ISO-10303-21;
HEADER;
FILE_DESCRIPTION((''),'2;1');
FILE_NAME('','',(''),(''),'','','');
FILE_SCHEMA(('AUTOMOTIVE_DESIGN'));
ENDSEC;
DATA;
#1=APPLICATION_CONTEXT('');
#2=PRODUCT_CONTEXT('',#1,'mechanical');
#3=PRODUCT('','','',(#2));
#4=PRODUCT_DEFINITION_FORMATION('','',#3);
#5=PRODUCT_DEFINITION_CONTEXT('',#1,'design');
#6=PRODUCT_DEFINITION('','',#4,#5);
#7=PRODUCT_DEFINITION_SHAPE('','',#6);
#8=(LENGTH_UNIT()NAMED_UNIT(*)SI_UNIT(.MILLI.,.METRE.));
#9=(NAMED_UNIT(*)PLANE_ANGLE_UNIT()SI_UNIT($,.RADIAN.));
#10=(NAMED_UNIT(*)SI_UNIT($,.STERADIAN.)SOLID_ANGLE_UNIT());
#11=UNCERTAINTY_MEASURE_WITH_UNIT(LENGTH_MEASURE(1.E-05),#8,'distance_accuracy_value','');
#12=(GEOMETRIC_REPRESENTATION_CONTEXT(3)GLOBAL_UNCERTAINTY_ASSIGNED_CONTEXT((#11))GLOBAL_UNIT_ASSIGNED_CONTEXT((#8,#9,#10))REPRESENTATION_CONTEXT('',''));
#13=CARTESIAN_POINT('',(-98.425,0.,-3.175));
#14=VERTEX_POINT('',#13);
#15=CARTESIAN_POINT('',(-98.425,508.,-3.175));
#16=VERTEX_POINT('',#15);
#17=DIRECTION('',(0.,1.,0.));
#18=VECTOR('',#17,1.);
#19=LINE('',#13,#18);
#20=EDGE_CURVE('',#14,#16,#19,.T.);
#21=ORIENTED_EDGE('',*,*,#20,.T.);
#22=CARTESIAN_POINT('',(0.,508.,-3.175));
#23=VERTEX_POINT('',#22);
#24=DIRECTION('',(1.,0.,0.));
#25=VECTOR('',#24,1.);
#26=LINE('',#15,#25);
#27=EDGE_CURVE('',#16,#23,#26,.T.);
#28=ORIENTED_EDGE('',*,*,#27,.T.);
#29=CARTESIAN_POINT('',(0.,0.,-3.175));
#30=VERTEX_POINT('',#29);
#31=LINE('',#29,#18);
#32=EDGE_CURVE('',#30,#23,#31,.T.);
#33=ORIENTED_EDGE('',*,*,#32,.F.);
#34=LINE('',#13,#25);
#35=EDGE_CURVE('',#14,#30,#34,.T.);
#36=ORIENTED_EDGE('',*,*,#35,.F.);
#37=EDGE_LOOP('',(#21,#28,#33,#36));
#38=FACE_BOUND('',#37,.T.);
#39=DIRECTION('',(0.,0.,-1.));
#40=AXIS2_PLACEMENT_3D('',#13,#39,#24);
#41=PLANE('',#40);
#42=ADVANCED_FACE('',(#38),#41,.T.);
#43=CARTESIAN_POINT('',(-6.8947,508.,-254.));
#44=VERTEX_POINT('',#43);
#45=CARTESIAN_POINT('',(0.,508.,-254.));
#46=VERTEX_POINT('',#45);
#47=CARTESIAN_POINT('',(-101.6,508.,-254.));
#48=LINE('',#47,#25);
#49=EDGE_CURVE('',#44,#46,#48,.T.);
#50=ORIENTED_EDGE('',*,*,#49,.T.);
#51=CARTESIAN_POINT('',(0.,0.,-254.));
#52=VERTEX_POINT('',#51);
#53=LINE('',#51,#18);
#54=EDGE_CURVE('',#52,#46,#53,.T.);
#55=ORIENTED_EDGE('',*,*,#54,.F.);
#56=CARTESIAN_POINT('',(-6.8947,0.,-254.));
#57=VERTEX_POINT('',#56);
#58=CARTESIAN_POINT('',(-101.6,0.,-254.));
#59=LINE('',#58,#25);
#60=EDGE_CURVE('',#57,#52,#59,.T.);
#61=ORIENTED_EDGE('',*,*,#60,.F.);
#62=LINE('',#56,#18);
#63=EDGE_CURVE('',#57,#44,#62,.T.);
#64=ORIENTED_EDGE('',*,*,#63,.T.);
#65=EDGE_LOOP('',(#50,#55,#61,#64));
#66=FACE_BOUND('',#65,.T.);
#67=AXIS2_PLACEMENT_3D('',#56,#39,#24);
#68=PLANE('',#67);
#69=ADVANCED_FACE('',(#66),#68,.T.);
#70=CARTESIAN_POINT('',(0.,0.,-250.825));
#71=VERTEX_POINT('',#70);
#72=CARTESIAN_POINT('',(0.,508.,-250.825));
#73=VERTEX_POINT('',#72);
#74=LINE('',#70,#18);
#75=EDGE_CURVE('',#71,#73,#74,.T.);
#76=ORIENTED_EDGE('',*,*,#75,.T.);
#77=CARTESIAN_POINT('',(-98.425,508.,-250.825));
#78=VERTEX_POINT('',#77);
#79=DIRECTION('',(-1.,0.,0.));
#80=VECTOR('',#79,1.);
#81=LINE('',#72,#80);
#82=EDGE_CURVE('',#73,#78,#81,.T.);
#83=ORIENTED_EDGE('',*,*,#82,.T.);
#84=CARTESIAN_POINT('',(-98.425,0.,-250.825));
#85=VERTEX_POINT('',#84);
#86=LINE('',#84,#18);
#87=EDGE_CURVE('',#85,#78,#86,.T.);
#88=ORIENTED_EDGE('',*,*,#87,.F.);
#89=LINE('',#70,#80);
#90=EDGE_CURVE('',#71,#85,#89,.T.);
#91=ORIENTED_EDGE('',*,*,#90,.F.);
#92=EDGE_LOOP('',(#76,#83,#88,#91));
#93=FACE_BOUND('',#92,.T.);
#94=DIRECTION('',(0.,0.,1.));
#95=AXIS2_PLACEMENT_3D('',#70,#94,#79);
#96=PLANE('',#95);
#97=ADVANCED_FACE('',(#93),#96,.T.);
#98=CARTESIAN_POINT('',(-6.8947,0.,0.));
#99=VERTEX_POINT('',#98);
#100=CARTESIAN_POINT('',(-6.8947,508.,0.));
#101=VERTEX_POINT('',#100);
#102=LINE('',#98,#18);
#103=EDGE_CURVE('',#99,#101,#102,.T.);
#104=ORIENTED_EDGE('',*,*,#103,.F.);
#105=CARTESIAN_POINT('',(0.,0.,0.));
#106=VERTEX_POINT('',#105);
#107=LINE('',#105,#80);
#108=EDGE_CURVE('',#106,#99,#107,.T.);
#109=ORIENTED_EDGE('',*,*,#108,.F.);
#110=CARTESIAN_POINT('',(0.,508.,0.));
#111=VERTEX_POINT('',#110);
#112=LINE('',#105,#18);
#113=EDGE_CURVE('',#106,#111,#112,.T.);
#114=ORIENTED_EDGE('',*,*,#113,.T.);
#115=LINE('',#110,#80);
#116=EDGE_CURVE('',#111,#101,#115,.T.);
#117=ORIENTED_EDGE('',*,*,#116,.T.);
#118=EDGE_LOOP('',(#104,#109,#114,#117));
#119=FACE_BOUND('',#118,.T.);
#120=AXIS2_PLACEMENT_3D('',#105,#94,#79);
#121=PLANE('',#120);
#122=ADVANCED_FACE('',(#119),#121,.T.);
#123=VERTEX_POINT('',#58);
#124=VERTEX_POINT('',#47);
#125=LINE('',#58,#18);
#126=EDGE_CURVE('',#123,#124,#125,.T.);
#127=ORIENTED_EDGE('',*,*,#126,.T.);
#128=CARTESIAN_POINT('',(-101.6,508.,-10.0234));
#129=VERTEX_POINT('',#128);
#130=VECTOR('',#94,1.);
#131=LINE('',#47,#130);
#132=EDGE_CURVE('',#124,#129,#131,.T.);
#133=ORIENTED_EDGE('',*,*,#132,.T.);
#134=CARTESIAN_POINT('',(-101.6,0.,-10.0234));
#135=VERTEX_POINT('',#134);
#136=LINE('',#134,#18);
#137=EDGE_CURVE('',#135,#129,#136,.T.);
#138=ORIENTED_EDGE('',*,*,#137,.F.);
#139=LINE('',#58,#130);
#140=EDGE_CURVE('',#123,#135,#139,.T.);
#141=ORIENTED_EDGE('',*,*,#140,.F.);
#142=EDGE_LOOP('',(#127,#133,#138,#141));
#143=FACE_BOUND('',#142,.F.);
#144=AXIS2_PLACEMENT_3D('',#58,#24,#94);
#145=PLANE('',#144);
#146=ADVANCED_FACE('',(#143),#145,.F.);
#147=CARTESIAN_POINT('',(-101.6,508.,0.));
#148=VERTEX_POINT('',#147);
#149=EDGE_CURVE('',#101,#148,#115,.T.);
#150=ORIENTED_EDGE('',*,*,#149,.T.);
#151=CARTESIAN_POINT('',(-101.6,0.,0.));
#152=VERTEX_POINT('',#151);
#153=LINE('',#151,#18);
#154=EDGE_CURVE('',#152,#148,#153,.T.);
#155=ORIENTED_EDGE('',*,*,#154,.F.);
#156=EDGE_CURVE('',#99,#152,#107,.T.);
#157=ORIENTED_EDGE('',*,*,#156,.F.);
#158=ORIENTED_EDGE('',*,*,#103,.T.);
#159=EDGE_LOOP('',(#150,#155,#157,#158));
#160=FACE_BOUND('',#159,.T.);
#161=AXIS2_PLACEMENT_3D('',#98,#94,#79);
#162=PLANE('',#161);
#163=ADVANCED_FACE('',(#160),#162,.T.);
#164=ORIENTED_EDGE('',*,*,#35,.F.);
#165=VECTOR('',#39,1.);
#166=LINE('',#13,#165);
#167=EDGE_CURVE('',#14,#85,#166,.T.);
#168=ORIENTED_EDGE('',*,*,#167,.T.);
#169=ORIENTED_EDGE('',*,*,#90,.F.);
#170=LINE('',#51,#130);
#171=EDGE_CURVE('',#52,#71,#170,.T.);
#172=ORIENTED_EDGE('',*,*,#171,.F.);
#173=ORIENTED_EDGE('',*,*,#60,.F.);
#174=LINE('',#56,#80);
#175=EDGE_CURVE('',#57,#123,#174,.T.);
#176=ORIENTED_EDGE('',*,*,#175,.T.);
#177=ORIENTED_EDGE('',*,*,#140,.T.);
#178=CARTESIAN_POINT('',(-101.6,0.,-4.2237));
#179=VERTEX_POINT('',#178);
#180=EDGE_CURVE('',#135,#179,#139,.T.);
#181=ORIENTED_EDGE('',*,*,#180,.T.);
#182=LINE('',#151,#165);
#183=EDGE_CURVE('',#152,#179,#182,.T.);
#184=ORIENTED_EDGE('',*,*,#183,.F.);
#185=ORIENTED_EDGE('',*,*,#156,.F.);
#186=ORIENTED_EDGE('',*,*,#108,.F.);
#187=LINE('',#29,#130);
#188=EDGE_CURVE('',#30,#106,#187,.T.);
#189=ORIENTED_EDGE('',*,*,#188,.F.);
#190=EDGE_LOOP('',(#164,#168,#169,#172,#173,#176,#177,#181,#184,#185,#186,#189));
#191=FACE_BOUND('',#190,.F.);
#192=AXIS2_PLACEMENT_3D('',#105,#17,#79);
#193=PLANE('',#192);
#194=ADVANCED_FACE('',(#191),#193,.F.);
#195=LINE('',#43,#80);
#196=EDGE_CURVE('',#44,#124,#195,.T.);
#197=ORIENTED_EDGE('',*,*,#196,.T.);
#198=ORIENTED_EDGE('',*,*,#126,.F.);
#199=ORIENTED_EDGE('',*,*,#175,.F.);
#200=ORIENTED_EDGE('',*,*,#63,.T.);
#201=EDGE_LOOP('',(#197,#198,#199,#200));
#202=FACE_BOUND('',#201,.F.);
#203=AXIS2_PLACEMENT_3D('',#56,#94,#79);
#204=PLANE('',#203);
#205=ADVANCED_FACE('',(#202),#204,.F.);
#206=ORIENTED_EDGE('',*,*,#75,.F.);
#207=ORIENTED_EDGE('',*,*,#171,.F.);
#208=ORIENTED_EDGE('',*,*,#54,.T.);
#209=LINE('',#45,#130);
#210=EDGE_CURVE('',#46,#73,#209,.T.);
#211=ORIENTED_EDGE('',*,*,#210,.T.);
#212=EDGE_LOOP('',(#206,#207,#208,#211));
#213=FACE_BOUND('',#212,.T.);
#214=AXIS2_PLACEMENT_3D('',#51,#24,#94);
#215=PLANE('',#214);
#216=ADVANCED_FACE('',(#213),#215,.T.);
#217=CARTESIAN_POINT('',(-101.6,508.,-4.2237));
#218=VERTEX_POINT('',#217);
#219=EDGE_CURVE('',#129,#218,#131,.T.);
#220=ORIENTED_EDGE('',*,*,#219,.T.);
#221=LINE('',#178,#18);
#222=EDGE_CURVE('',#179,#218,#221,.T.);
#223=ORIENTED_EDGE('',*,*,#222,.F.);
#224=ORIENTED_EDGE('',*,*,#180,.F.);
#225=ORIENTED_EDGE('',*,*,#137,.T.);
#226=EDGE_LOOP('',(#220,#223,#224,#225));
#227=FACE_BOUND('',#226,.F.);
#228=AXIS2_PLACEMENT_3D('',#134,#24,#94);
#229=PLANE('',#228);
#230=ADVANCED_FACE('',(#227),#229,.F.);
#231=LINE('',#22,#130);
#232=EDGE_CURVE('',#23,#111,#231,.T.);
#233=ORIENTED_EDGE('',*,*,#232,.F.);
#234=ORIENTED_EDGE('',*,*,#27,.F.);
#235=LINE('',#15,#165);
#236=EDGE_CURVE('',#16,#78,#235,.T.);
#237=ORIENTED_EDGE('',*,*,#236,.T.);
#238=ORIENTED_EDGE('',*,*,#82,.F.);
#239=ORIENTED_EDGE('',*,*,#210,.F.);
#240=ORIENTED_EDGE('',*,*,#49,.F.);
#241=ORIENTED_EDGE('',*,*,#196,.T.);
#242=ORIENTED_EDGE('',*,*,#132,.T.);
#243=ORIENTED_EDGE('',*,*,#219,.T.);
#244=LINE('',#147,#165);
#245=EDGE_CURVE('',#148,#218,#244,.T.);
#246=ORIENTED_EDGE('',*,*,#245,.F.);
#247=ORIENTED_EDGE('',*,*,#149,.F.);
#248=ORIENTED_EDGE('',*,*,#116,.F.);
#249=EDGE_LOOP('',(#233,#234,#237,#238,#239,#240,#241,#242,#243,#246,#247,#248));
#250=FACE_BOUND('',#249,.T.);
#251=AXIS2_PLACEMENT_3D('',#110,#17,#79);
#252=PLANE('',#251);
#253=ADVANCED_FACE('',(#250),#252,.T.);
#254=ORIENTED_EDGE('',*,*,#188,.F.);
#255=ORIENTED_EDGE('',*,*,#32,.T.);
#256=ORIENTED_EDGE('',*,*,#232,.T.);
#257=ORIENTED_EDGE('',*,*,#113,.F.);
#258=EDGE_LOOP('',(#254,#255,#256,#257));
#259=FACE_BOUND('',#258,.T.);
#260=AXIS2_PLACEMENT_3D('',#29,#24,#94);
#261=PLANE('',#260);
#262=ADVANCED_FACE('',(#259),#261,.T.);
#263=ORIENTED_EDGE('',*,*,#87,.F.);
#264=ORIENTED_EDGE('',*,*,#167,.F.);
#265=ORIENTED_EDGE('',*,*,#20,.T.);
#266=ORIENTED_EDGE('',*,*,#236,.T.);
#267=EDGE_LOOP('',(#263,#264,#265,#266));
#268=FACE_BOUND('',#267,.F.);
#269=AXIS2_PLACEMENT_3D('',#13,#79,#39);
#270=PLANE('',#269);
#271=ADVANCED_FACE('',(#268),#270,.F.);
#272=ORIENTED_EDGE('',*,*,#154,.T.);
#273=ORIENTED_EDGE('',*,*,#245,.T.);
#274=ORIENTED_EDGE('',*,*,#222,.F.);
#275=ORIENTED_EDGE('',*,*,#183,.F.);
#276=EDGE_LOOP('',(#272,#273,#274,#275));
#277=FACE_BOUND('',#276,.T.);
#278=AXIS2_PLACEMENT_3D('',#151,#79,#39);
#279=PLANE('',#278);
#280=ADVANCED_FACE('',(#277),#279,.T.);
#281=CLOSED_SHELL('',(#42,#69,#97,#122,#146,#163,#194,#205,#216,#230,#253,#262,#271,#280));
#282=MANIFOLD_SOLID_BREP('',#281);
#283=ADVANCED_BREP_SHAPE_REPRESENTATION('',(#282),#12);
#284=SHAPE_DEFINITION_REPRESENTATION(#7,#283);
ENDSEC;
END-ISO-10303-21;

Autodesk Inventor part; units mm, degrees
ref_plane "YZ Plane" through (0, 0, 0) normal (1, 0, 0) x (0, 1, 0)
ref_plane "XZ Plane" through (0, 0, 0) normal (0, 1, 0) x (-1, 0, 0)
ref_plane "XY Plane" through (0, 0, 0) normal (0, 0, 1) x (1, 0, 0)
sketch "Sketch1" plane through (0, 0, 0) normal (0, 1, 0) x (-1, 0, 0)
  line L0 (0, 0) -> (101.6, 0)
  line L1 (101.6, 0) -> (101.6, -4.2237)
  line L2 (98.425, -3.175) -> (0, -3.175)
  line L3 (0, -3.175) -> (0, 0)
  line L4 (101.6, 0) -> (6.8947, 0)
  line L5 (98.425, -3.175) -> (98.425, -250.825)
  line L6 (6.8947, -254) -> (101.6, -254)
  line L7 (101.6, -254) -> (101.6, 0)
  line L8 (101.6, -254) -> (0, -254)
  line L9 (0, -254) -> (0, -250.825)
  line L10 (0, -250.825) -> (98.425, -250.825)
  line L11 (101.6, -10.0234) -> (101.6, -254)
  dimension "d0" = 3.175
  dimension "d1" = 3.175
  dimension "d2" = 254
  dimension "d3" = 101.6
extrude "Extrusion1" add sketch "Sketch1" along normal blind 508
properties part number "HopperRamp"
